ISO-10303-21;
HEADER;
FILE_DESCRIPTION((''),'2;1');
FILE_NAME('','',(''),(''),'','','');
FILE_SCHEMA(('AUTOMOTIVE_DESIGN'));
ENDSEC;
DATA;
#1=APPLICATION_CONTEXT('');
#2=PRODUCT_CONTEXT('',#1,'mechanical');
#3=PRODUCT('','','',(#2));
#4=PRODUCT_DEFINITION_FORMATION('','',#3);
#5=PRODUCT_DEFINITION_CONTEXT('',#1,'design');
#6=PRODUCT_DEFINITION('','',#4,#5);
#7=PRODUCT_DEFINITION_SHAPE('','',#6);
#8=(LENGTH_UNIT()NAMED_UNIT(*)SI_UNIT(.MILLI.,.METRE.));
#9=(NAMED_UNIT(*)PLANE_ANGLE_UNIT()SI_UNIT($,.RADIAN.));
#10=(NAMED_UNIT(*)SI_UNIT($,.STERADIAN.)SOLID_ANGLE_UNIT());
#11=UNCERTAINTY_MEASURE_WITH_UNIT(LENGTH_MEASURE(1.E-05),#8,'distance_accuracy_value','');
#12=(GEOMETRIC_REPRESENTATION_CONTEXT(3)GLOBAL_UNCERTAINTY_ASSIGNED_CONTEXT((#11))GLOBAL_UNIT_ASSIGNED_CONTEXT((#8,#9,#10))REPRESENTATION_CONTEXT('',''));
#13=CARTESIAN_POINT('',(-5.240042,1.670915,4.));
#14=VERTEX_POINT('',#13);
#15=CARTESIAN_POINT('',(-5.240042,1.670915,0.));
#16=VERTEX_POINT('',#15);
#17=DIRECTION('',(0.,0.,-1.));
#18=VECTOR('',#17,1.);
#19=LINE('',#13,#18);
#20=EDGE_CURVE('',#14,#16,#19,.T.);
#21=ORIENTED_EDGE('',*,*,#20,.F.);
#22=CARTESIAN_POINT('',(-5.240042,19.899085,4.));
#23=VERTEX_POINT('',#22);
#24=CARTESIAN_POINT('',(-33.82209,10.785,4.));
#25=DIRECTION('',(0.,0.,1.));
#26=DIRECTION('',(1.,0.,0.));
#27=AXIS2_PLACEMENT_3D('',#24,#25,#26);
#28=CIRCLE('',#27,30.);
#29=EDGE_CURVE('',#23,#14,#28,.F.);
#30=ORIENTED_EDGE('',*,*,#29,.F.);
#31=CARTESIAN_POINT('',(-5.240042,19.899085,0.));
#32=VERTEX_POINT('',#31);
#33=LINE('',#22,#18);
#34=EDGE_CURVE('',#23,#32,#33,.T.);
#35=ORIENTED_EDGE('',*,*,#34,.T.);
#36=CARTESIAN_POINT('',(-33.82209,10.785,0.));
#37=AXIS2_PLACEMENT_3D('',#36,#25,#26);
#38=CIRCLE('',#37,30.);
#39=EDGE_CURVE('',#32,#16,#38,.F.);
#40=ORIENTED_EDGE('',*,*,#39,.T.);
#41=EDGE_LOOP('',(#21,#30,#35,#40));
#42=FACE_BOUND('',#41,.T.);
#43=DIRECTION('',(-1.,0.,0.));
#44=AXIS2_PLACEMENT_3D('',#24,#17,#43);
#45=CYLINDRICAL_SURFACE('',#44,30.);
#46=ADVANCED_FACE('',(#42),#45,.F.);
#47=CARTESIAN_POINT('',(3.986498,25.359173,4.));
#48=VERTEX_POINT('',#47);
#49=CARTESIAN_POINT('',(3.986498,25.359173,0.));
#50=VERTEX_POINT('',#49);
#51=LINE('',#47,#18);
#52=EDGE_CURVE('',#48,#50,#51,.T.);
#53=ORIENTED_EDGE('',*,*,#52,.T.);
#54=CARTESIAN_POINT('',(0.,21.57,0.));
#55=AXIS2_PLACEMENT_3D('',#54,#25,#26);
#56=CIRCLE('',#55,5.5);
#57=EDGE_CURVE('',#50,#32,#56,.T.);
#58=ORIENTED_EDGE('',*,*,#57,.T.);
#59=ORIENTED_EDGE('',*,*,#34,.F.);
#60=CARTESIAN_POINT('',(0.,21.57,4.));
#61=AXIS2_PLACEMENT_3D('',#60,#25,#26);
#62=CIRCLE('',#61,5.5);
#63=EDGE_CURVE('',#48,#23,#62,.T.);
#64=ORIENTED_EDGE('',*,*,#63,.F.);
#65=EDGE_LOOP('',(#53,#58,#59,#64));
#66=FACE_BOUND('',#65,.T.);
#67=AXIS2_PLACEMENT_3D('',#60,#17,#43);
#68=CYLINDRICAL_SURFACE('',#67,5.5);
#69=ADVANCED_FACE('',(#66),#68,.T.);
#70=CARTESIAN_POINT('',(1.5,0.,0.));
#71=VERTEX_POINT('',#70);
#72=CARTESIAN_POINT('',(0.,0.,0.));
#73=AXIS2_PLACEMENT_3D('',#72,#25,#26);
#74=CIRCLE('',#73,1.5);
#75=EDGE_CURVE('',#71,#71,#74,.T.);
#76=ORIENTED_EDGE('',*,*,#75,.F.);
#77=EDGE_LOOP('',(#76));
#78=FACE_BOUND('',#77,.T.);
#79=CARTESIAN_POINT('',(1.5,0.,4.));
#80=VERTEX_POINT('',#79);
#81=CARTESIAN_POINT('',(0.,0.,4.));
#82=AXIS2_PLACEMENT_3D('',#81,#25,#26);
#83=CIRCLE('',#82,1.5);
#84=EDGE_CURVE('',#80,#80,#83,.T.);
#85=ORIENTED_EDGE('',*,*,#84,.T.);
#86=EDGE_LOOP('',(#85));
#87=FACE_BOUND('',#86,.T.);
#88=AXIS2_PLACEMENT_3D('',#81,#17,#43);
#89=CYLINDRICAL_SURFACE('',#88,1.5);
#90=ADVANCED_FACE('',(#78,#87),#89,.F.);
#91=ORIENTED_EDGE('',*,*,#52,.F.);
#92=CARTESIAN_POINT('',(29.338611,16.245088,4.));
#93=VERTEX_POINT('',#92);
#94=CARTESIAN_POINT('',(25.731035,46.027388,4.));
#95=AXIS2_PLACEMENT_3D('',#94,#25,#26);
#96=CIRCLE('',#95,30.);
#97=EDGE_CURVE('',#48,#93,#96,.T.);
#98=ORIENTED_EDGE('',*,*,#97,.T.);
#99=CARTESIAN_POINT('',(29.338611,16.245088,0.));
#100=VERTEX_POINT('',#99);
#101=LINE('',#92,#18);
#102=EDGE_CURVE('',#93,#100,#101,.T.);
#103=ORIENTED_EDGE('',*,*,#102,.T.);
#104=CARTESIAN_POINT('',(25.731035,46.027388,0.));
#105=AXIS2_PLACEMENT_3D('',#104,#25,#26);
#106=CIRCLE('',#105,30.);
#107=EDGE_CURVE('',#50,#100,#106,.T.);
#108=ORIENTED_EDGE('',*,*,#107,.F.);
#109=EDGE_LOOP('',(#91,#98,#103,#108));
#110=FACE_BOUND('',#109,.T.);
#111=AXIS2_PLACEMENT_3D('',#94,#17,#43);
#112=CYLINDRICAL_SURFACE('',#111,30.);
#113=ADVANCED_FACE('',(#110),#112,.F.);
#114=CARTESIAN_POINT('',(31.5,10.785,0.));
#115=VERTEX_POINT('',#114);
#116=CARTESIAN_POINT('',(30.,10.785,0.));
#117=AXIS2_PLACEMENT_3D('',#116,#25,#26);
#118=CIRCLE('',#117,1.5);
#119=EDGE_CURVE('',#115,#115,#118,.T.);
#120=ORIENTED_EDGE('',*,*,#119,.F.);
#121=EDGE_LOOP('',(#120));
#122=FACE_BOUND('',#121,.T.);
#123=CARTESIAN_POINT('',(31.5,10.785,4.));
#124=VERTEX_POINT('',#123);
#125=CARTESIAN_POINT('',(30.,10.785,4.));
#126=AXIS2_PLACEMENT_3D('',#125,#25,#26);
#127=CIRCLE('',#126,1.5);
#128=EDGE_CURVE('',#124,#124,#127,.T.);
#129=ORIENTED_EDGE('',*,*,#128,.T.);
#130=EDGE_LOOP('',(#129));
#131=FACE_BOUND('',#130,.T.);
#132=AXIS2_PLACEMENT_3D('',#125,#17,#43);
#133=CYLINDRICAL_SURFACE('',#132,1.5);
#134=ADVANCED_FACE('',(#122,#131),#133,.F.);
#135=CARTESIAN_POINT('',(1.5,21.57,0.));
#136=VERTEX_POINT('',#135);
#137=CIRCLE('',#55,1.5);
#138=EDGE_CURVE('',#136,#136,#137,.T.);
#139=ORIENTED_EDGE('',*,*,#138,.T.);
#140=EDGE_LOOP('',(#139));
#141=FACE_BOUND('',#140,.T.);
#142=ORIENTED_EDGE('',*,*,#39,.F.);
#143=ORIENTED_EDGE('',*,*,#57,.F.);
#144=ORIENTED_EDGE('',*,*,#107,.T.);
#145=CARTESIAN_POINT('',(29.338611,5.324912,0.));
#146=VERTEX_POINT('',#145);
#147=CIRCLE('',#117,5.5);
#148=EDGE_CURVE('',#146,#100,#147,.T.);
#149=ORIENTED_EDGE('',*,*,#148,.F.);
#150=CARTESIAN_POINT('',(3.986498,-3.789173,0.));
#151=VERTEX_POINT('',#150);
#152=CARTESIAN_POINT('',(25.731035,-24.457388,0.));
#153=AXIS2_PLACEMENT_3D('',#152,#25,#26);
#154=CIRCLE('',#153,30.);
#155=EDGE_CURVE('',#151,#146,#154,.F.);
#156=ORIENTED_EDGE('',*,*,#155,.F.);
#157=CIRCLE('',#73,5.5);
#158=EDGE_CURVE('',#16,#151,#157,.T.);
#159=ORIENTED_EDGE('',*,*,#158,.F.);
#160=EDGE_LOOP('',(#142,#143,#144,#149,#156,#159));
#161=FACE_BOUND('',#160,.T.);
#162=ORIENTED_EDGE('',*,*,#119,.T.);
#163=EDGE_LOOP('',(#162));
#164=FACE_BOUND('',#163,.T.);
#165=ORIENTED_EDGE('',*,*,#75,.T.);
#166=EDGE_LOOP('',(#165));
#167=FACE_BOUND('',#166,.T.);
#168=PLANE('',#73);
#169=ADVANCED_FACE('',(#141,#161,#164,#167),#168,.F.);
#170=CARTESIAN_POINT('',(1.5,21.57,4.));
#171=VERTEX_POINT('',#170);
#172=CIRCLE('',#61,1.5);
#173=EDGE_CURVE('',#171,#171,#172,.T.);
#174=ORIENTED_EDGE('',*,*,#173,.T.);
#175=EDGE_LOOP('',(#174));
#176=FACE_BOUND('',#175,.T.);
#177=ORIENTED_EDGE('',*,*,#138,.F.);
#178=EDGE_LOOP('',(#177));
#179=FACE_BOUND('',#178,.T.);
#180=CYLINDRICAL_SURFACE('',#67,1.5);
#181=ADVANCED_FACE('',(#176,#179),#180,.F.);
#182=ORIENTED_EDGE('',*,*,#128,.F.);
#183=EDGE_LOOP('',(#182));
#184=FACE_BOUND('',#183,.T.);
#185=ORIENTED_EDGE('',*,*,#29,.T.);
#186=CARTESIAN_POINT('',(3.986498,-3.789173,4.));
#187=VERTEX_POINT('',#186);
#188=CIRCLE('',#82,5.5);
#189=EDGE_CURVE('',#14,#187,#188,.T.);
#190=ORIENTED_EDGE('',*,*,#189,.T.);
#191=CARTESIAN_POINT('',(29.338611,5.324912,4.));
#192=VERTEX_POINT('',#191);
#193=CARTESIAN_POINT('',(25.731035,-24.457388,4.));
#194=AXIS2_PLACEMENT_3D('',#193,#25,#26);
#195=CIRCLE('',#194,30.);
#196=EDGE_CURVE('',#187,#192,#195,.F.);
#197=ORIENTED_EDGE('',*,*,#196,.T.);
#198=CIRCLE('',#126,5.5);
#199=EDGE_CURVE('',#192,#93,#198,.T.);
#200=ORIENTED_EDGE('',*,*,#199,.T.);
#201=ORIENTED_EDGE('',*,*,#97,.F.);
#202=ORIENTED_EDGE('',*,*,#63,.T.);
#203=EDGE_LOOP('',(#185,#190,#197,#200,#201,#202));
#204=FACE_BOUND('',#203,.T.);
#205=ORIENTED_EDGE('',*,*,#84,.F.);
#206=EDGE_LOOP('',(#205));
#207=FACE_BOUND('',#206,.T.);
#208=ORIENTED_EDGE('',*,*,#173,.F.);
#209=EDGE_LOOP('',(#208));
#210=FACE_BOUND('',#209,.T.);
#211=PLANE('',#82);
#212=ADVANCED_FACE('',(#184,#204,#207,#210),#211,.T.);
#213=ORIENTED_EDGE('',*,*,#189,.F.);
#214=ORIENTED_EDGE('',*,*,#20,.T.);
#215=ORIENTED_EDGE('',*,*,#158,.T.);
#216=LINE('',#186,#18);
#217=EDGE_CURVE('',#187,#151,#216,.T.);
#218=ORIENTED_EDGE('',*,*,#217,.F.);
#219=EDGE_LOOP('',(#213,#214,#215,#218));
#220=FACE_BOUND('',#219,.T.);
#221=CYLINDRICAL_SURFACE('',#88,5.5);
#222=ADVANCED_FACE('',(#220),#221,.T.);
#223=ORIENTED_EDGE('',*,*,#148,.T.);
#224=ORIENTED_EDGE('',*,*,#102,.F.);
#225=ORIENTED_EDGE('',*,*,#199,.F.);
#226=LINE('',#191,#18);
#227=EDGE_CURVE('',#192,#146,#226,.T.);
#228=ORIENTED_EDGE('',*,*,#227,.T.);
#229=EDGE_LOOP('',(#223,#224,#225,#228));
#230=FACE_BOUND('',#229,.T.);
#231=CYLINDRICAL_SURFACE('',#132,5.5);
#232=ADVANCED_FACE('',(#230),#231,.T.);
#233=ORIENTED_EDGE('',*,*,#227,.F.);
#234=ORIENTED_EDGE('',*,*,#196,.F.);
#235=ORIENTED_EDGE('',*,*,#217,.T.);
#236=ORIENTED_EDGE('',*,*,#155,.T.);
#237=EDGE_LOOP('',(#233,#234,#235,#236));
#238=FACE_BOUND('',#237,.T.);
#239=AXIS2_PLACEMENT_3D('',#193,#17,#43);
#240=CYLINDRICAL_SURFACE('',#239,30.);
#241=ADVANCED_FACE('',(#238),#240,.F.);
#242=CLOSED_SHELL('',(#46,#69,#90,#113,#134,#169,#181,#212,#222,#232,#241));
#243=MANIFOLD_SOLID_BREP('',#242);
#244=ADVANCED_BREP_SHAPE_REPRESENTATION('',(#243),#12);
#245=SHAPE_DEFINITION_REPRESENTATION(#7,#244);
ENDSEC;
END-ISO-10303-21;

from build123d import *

# Parameters (mm, degrees)
SKETCH1_R           = 1.5
BOSS_EXTRUDE1_DEPTH = 4


with BuildPart() as part:
    # Sketch1 → Boss-Extrude1 (new body)
    with BuildSketch(Plane.XY):
        with BuildLine():
            ThreePointArc((3.986498359, 25.359172843), (-2.801068394, 26.303288059), (-5.24004212, 19.899084507))
            ThreePointArc((-5.24004212, 19.899084507), (-3.822090045, 10.785), (-5.24004212, 1.670915493))
            ThreePointArc((-5.24004212, 1.670915493), (-2.801068394, -4.733288059), (3.986498359, -3.789172843))
            ThreePointArc((3.986498359, -3.789172843), (15.581947878, 3.773729824), (29.338611035, 5.324911664))
            ThreePointArc((29.338611035, 5.324911664), (35.5, 10.785), (29.338611035, 16.245088336))
            ThreePointArc((29.338611035, 16.245088336), (15.581947878, 17.796270176), (3.986498359, 25.359172843))
        make_face()
        with Locations((0, 21.57)):
            Circle(SKETCH1_R, mode=Mode.SUBTRACT)
        with Locations((30, 10.785)):
            Circle(SKETCH1_R, mode=Mode.SUBTRACT)
        Circle(SKETCH1_R, mode=Mode.SUBTRACT)
    extrude(amount=BOSS_EXTRUDE1_DEPTH)


solid = part.part
